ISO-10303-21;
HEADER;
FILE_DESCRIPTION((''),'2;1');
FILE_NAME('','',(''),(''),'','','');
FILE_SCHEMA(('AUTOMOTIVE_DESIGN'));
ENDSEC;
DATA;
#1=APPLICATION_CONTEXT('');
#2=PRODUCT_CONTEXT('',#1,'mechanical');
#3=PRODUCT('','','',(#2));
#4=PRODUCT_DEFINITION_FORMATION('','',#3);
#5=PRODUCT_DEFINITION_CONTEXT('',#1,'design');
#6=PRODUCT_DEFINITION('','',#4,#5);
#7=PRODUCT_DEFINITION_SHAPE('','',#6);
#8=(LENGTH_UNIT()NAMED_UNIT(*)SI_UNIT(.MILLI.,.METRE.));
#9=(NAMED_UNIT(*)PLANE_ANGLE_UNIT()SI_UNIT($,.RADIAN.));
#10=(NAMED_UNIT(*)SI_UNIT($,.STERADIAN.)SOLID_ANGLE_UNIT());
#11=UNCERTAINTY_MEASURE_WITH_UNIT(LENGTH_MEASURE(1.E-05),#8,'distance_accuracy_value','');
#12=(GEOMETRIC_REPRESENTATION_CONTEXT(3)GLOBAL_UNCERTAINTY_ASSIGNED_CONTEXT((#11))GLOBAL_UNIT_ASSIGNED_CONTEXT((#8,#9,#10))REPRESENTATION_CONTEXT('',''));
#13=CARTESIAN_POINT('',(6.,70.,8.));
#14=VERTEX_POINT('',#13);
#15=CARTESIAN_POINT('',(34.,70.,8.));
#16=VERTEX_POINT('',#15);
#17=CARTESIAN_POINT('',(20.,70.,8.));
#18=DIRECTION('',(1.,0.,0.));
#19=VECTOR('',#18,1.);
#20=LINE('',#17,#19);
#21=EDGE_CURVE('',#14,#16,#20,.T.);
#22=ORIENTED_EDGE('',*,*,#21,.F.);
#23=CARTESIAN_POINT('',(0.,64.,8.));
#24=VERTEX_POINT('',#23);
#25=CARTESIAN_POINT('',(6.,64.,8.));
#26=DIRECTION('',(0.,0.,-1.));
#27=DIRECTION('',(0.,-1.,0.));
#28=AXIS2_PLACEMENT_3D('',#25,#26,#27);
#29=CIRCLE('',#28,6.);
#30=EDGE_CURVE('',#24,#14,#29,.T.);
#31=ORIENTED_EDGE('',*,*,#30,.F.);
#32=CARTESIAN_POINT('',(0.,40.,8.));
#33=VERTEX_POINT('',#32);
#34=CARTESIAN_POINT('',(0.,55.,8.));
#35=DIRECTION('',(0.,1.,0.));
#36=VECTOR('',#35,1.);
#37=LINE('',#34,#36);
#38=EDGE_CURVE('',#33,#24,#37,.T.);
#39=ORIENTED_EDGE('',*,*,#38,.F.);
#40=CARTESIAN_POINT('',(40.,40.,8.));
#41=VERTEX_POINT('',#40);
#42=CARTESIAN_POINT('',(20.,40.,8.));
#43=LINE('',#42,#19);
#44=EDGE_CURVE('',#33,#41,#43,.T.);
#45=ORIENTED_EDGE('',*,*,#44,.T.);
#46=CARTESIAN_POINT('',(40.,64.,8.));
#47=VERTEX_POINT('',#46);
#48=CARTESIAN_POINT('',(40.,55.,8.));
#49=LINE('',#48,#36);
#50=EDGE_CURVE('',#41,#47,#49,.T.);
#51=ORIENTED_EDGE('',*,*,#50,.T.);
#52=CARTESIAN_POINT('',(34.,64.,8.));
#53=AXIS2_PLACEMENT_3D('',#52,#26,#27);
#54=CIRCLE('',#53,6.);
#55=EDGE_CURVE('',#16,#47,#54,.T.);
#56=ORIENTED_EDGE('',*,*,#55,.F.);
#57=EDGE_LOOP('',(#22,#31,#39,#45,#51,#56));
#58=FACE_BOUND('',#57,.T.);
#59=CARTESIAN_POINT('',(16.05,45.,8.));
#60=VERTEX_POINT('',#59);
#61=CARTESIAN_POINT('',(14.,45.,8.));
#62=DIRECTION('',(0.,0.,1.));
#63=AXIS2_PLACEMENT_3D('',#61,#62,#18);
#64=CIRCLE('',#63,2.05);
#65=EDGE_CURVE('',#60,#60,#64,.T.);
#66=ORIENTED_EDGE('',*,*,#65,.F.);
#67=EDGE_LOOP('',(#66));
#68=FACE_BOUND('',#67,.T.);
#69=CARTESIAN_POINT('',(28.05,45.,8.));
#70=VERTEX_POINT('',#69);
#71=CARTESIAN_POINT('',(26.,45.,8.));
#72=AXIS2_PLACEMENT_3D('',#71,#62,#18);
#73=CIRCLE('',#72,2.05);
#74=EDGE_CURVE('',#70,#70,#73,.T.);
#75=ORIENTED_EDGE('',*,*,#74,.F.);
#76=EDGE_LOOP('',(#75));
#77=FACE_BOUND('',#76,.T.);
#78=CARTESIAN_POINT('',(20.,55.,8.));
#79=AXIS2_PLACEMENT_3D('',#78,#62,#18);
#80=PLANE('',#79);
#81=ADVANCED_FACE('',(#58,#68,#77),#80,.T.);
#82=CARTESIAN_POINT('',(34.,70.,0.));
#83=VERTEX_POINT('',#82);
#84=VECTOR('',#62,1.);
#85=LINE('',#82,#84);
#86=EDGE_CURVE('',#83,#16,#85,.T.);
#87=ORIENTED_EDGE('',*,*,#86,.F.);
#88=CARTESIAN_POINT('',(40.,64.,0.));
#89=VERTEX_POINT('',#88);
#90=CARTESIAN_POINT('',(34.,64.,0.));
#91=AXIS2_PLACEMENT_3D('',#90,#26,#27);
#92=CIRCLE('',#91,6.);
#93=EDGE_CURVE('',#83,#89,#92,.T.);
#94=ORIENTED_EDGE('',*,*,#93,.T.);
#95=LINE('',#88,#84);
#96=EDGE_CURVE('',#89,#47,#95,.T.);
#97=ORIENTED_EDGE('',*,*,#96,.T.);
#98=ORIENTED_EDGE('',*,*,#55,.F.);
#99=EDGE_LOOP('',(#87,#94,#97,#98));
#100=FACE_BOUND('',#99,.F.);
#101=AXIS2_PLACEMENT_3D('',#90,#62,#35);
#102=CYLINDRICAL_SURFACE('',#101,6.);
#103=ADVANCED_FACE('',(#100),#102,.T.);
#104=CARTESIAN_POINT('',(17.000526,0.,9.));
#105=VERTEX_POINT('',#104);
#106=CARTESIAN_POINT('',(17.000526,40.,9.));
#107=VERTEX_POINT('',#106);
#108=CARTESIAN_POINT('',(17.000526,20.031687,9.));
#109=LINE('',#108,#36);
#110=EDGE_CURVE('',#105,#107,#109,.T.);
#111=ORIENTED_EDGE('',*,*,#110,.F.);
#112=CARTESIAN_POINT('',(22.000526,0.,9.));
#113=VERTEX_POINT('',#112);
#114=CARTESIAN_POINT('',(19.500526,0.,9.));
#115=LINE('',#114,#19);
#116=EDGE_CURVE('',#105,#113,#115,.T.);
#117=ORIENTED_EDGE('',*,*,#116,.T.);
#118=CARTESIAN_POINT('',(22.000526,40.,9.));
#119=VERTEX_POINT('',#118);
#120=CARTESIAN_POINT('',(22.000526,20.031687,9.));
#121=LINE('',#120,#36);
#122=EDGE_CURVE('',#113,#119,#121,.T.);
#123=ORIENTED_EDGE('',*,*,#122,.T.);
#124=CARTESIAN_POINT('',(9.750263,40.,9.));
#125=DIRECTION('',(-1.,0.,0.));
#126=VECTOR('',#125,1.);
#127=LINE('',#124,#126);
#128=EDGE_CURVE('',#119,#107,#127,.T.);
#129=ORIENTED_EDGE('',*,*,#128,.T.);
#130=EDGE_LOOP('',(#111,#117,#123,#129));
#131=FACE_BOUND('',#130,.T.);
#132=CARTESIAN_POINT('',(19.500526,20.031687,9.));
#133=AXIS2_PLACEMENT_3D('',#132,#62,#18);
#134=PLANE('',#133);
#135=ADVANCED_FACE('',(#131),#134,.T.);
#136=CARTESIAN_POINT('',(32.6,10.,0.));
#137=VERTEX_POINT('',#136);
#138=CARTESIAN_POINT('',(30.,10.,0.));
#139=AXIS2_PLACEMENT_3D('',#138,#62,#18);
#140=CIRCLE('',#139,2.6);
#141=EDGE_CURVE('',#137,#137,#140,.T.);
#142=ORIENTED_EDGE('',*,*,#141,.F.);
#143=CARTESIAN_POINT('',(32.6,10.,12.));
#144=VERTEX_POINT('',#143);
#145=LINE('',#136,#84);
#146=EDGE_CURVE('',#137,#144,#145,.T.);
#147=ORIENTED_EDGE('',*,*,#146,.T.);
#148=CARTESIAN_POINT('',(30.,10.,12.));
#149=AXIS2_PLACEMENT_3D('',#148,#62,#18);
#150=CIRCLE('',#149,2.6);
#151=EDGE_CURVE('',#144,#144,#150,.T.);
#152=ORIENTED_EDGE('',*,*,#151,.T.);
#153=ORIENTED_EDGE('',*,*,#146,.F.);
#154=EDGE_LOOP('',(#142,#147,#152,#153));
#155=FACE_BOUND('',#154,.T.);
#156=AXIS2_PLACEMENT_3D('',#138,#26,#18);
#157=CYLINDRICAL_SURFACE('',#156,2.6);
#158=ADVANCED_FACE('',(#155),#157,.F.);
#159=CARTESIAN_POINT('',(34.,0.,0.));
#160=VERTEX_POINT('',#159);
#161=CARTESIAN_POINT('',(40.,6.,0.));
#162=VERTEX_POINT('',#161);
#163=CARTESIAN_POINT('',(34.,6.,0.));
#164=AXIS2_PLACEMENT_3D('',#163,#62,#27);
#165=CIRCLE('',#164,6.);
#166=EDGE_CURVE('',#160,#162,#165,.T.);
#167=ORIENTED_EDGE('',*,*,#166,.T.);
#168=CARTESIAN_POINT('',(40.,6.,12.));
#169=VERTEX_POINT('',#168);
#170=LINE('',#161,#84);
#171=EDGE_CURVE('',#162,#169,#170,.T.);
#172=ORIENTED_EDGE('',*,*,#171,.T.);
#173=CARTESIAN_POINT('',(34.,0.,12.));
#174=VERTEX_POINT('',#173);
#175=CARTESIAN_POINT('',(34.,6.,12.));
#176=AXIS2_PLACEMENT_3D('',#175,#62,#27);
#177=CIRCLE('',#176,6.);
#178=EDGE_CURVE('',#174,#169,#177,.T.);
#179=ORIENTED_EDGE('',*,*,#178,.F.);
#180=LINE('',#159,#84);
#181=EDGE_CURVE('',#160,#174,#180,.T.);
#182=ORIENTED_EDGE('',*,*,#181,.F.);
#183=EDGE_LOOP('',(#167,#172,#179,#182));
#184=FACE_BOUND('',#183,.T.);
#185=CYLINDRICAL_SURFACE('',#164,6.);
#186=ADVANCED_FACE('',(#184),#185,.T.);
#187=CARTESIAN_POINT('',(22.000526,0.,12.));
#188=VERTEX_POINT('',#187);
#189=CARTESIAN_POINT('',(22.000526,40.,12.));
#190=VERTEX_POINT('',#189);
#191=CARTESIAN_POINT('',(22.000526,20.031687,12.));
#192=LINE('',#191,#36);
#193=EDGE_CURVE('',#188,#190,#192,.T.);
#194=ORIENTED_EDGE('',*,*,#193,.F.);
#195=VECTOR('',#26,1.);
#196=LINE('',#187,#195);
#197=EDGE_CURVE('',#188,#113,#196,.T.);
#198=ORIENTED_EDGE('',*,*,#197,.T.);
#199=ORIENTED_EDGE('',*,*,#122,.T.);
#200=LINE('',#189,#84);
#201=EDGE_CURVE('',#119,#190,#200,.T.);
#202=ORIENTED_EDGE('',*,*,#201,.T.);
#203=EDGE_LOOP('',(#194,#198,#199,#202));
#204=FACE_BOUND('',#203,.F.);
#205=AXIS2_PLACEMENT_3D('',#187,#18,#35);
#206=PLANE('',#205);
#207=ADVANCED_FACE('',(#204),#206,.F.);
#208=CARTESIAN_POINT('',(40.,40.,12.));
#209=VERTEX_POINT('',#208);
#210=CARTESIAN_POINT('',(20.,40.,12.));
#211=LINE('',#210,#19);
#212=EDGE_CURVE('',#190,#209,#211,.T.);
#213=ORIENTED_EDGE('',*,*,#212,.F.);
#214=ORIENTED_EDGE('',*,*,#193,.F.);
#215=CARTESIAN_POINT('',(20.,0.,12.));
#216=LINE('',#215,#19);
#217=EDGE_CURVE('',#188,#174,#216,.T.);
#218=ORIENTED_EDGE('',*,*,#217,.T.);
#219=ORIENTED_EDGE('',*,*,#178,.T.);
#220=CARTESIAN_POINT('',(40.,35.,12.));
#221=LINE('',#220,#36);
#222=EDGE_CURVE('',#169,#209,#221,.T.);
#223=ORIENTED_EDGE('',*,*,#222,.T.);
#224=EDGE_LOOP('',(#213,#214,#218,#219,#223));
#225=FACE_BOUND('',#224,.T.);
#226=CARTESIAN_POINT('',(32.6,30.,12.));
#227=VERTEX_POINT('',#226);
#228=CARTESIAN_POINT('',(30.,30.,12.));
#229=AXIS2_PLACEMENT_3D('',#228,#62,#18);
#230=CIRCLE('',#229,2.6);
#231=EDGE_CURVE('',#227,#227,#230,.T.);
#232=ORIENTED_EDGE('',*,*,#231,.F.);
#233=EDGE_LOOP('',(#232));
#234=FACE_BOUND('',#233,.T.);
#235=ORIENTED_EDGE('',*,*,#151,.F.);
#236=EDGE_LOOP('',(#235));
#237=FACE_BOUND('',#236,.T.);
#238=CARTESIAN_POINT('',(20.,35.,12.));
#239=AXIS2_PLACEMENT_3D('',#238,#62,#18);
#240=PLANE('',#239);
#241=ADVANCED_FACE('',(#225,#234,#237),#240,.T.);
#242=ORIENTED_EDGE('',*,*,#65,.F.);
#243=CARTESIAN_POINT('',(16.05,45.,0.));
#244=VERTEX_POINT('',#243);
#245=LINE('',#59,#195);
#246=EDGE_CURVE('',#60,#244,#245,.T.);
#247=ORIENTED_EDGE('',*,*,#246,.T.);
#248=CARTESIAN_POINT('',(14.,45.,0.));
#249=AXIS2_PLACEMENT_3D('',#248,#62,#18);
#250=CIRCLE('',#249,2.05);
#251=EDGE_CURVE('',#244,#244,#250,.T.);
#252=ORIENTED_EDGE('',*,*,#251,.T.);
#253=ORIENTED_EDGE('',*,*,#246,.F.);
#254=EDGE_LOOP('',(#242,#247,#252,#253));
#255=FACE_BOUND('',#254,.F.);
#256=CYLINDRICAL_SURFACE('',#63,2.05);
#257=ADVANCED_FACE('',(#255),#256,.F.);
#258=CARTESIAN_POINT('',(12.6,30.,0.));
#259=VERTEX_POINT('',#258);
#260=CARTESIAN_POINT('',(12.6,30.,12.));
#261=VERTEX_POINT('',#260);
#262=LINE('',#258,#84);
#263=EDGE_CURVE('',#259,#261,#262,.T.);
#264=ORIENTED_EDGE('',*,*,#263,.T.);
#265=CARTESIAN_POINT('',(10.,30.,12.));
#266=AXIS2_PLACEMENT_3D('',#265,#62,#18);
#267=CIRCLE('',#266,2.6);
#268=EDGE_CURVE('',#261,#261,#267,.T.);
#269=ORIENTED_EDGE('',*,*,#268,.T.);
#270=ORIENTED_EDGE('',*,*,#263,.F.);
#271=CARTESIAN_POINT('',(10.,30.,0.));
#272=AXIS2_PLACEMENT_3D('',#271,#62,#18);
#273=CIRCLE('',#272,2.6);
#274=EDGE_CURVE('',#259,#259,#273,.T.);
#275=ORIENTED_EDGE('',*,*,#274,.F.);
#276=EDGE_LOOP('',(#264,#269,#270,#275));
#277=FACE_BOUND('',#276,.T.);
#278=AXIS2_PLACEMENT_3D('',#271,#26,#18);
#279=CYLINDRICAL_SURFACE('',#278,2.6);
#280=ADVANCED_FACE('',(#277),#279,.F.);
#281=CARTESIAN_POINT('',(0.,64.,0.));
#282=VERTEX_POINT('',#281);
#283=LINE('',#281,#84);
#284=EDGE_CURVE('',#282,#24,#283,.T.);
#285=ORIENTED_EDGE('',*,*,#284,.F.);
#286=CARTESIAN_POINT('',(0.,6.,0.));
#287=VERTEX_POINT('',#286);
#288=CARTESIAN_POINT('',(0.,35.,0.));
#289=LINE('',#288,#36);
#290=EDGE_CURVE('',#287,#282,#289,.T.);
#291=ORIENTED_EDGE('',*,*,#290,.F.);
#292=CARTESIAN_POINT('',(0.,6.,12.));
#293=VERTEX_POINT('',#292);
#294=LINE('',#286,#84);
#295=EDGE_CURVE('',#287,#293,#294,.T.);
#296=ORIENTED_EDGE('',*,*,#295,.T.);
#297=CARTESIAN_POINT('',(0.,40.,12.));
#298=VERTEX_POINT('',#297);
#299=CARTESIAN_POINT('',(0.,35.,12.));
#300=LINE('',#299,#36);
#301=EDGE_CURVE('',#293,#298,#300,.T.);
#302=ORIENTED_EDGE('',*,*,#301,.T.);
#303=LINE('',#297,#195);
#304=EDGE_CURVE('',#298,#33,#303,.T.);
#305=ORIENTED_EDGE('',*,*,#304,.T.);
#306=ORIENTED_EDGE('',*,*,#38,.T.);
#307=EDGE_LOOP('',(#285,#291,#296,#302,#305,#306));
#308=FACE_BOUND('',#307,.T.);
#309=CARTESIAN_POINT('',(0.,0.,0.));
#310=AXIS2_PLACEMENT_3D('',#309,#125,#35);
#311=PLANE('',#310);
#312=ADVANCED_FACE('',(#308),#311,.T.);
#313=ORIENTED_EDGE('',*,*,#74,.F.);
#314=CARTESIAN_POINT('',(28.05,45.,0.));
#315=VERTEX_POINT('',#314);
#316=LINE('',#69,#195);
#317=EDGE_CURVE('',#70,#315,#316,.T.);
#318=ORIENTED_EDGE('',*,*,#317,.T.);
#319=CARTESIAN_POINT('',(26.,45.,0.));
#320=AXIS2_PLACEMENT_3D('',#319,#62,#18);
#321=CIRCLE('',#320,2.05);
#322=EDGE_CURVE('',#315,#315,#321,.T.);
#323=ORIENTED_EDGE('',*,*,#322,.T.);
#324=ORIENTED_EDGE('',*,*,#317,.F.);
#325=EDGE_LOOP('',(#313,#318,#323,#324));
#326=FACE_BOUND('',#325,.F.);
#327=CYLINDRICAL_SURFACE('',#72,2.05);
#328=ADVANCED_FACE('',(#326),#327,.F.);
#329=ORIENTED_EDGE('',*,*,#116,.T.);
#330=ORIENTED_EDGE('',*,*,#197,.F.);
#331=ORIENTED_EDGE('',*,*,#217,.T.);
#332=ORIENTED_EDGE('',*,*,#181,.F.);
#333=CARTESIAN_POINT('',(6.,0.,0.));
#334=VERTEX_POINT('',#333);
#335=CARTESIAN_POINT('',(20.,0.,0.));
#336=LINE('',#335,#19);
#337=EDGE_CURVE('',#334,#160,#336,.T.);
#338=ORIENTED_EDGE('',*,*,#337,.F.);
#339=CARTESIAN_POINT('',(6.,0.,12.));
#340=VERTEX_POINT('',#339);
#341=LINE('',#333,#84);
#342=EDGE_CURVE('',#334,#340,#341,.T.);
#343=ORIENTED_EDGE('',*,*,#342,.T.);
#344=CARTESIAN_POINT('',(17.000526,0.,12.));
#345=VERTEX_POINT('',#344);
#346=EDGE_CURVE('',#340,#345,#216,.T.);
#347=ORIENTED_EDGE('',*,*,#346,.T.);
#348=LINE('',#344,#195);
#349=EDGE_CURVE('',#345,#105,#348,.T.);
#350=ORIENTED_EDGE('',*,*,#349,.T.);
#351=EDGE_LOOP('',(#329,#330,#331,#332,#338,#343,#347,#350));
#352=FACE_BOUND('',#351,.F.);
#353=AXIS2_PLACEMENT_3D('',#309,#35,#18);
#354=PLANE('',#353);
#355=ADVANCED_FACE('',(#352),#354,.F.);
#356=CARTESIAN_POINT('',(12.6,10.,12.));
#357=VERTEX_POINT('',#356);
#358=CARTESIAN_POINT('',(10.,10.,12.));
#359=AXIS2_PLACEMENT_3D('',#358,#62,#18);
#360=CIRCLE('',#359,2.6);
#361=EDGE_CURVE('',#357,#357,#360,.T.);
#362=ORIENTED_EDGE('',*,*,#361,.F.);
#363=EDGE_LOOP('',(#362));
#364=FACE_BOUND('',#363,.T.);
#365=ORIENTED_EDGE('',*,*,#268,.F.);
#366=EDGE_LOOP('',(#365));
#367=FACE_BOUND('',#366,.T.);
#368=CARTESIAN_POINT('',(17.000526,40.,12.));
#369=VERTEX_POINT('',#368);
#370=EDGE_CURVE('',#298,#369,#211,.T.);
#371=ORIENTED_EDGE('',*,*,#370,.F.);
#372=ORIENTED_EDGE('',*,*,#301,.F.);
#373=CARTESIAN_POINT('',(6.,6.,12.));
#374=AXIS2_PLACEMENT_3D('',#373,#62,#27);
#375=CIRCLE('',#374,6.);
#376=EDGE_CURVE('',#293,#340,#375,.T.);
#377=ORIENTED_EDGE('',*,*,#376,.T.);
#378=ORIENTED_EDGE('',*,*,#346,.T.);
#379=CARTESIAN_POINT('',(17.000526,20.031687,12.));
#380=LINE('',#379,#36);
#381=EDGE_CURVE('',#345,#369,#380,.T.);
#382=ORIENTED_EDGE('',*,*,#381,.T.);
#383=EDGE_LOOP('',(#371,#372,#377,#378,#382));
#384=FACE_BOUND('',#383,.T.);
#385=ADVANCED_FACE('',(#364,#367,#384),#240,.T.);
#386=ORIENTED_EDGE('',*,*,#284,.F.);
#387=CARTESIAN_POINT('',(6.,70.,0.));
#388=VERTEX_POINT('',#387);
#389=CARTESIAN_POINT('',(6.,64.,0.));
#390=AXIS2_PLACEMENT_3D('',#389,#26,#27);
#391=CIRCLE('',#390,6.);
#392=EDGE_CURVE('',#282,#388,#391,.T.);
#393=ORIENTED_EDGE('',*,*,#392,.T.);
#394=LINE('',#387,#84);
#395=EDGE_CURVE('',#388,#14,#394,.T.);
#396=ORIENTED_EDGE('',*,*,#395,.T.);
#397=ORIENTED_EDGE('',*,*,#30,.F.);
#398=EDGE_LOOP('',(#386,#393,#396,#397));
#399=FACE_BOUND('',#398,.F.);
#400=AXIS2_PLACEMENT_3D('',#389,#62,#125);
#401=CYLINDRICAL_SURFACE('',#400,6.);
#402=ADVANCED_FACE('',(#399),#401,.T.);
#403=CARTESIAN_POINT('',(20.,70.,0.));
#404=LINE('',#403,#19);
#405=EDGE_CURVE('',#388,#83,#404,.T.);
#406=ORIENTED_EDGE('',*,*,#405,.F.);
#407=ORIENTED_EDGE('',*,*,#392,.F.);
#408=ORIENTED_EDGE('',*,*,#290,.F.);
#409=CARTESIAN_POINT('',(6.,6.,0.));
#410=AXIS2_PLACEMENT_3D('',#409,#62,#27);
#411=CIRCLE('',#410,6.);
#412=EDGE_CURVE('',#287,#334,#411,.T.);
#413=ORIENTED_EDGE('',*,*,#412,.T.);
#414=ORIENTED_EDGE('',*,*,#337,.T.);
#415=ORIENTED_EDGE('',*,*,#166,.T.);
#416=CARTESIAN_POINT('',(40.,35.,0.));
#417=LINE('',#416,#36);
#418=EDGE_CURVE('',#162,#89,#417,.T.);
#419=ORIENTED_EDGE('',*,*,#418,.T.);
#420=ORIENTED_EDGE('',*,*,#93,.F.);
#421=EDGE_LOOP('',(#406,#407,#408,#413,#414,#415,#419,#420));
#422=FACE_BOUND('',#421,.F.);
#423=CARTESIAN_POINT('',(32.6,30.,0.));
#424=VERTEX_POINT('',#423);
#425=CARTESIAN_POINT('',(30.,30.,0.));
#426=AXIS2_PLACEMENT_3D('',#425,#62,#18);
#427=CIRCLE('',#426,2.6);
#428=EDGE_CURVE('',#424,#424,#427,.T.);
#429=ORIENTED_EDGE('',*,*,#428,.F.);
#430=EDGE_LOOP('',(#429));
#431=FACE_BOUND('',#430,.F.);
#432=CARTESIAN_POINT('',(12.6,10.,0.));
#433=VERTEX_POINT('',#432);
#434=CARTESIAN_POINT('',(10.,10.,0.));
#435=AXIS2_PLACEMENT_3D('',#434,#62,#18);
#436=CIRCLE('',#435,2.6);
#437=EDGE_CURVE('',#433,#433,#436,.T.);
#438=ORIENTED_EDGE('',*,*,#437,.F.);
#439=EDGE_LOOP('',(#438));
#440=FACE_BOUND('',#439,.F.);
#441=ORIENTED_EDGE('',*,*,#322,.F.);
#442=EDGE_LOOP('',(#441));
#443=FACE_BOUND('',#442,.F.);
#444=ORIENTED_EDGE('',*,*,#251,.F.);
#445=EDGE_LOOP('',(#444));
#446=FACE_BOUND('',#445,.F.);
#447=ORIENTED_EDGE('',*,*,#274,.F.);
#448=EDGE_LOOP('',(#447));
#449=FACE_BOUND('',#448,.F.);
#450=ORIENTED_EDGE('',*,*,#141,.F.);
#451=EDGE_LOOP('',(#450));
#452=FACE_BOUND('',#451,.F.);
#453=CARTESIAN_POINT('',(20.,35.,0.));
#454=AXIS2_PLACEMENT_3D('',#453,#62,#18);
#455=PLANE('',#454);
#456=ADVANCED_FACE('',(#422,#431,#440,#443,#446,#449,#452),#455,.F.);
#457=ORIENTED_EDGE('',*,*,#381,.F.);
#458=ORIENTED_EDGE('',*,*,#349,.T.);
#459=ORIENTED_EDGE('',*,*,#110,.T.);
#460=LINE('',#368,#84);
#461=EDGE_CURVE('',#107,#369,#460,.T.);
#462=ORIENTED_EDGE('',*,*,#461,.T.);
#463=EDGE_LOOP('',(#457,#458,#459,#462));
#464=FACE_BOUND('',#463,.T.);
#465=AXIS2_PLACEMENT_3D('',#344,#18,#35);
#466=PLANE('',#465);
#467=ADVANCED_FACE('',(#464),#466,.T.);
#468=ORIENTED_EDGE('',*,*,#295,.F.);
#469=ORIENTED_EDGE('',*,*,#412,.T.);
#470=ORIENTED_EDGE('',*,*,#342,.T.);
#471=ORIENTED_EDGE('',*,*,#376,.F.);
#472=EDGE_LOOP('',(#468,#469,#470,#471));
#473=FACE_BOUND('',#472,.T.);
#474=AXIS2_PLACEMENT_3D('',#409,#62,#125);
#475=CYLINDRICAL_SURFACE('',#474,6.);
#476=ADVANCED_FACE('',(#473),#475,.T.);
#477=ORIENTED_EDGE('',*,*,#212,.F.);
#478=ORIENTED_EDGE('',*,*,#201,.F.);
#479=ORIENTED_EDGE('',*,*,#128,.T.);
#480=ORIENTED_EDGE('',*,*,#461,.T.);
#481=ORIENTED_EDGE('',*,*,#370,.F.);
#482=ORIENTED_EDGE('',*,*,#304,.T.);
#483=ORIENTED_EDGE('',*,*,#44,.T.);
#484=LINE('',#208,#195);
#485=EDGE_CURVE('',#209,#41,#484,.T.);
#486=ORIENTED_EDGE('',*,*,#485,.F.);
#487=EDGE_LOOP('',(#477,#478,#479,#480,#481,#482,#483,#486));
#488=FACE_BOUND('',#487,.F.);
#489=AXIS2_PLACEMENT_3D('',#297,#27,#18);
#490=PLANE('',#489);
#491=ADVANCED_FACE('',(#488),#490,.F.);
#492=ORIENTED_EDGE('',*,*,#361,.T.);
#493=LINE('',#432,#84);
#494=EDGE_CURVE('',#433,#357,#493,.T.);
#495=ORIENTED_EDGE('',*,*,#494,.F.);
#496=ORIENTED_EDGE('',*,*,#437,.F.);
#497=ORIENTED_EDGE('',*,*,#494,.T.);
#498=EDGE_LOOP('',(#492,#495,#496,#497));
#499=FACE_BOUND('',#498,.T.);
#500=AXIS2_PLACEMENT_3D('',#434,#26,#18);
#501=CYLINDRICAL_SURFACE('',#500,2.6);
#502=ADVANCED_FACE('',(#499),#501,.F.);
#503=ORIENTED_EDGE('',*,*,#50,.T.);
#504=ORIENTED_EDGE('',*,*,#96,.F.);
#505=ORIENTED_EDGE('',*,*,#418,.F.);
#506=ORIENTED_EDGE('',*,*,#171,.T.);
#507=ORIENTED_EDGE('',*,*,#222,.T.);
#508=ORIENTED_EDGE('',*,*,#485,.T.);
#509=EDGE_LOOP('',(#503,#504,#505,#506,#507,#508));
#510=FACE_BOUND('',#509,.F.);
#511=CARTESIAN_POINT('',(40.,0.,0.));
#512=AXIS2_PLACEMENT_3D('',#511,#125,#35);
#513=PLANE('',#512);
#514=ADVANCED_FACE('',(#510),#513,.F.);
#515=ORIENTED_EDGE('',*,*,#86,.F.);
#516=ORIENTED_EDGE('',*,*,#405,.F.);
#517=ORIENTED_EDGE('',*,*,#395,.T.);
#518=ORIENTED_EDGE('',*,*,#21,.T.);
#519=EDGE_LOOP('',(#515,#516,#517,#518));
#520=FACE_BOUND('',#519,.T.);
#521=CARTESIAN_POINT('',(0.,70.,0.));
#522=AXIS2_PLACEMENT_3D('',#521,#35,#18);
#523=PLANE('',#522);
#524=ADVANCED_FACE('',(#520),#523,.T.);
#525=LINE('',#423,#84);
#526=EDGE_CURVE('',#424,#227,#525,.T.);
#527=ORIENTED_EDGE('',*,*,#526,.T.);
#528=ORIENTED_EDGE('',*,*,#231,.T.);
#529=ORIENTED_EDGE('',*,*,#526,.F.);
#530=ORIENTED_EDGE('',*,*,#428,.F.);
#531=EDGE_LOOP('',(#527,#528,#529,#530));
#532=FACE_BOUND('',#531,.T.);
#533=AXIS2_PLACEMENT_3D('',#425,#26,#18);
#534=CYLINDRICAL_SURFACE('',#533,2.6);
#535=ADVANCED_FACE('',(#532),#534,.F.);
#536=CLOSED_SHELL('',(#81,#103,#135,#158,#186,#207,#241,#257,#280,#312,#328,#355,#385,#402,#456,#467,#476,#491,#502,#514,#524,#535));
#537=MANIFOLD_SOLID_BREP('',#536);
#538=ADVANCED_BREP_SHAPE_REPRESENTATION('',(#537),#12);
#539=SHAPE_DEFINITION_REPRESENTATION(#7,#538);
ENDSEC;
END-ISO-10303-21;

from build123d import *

# Parameters (mm, degrees)
SKETCH_W        = 40
SKETCH_H        = 70
SKETCH_R        = 2.6
PAD_DEPTH       = 12
SKETCH001_W     = 40
SKETCH001_H     = 30
POCKET_DEPTH    = 4
SKETCH002_R     = 2.05
POCKET001_DEPTH = 10
SKETCH003_W     = 5
SKETCH003_H     = 40.063374
POCKET002_DEPTH = 3
FILLET_R        = 6


with BuildPart() as part:
    # Sketch → Pad (new body)
    with BuildSketch(Plane.XY):
        with Locations((20, 35)):
            Rectangle(SKETCH_W, SKETCH_H)
        with Locations((10, 10)):
            Circle(SKETCH_R, mode=Mode.SUBTRACT)
        with Locations((30, 10)):
            Circle(SKETCH_R, mode=Mode.SUBTRACT)
        with Locations((10, 30)):
            Circle(SKETCH_R, mode=Mode.SUBTRACT)
        with Locations((30, 30)):
            Circle(SKETCH_R, mode=Mode.SUBTRACT)
    extrude(amount=PAD_DEPTH)

    # Sketch001 (on Face10 of Pad) → Pocket (cut)
    with BuildSketch(Plane.XY.offset(12)):
        with Locations((20, 55)):
            Rectangle(SKETCH001_W, SKETCH001_H)
    extrude(amount=-POCKET_DEPTH, mode=Mode.SUBTRACT)

    # Sketch002 (on Face7 of Pocket) → Pocket001 (cut)
    with BuildSketch(Plane.XY.offset(8)):
        with Locations((14, 45)):
            Circle(SKETCH002_R)
        with Locations((26, 45)):
            Circle(SKETCH002_R)
    extrude(amount=-POCKET001_DEPTH, mode=Mode.SUBTRACT)

    # Sketch003 (on Face5 of Pocket001) → Pocket002 (cut)
    with BuildSketch(Plane.XY.offset(12)):
        with Locations((19.500526, 20.031687)):
            Rectangle(SKETCH003_W, SKETCH003_H)
    extrude(amount=-POCKET002_DEPTH, mode=Mode.SUBTRACT)

    # Fillet
    fillet_edges = [part.edges().sort_by_distance(p)[0] for p in [
        (40, 0, 6),
        (40, 70, 4),
        (0, 70, 4),
        (0, 0, 6),
    ]]
    fillet(fillet_edges, radius=FILLET_R)


solid = part.part
